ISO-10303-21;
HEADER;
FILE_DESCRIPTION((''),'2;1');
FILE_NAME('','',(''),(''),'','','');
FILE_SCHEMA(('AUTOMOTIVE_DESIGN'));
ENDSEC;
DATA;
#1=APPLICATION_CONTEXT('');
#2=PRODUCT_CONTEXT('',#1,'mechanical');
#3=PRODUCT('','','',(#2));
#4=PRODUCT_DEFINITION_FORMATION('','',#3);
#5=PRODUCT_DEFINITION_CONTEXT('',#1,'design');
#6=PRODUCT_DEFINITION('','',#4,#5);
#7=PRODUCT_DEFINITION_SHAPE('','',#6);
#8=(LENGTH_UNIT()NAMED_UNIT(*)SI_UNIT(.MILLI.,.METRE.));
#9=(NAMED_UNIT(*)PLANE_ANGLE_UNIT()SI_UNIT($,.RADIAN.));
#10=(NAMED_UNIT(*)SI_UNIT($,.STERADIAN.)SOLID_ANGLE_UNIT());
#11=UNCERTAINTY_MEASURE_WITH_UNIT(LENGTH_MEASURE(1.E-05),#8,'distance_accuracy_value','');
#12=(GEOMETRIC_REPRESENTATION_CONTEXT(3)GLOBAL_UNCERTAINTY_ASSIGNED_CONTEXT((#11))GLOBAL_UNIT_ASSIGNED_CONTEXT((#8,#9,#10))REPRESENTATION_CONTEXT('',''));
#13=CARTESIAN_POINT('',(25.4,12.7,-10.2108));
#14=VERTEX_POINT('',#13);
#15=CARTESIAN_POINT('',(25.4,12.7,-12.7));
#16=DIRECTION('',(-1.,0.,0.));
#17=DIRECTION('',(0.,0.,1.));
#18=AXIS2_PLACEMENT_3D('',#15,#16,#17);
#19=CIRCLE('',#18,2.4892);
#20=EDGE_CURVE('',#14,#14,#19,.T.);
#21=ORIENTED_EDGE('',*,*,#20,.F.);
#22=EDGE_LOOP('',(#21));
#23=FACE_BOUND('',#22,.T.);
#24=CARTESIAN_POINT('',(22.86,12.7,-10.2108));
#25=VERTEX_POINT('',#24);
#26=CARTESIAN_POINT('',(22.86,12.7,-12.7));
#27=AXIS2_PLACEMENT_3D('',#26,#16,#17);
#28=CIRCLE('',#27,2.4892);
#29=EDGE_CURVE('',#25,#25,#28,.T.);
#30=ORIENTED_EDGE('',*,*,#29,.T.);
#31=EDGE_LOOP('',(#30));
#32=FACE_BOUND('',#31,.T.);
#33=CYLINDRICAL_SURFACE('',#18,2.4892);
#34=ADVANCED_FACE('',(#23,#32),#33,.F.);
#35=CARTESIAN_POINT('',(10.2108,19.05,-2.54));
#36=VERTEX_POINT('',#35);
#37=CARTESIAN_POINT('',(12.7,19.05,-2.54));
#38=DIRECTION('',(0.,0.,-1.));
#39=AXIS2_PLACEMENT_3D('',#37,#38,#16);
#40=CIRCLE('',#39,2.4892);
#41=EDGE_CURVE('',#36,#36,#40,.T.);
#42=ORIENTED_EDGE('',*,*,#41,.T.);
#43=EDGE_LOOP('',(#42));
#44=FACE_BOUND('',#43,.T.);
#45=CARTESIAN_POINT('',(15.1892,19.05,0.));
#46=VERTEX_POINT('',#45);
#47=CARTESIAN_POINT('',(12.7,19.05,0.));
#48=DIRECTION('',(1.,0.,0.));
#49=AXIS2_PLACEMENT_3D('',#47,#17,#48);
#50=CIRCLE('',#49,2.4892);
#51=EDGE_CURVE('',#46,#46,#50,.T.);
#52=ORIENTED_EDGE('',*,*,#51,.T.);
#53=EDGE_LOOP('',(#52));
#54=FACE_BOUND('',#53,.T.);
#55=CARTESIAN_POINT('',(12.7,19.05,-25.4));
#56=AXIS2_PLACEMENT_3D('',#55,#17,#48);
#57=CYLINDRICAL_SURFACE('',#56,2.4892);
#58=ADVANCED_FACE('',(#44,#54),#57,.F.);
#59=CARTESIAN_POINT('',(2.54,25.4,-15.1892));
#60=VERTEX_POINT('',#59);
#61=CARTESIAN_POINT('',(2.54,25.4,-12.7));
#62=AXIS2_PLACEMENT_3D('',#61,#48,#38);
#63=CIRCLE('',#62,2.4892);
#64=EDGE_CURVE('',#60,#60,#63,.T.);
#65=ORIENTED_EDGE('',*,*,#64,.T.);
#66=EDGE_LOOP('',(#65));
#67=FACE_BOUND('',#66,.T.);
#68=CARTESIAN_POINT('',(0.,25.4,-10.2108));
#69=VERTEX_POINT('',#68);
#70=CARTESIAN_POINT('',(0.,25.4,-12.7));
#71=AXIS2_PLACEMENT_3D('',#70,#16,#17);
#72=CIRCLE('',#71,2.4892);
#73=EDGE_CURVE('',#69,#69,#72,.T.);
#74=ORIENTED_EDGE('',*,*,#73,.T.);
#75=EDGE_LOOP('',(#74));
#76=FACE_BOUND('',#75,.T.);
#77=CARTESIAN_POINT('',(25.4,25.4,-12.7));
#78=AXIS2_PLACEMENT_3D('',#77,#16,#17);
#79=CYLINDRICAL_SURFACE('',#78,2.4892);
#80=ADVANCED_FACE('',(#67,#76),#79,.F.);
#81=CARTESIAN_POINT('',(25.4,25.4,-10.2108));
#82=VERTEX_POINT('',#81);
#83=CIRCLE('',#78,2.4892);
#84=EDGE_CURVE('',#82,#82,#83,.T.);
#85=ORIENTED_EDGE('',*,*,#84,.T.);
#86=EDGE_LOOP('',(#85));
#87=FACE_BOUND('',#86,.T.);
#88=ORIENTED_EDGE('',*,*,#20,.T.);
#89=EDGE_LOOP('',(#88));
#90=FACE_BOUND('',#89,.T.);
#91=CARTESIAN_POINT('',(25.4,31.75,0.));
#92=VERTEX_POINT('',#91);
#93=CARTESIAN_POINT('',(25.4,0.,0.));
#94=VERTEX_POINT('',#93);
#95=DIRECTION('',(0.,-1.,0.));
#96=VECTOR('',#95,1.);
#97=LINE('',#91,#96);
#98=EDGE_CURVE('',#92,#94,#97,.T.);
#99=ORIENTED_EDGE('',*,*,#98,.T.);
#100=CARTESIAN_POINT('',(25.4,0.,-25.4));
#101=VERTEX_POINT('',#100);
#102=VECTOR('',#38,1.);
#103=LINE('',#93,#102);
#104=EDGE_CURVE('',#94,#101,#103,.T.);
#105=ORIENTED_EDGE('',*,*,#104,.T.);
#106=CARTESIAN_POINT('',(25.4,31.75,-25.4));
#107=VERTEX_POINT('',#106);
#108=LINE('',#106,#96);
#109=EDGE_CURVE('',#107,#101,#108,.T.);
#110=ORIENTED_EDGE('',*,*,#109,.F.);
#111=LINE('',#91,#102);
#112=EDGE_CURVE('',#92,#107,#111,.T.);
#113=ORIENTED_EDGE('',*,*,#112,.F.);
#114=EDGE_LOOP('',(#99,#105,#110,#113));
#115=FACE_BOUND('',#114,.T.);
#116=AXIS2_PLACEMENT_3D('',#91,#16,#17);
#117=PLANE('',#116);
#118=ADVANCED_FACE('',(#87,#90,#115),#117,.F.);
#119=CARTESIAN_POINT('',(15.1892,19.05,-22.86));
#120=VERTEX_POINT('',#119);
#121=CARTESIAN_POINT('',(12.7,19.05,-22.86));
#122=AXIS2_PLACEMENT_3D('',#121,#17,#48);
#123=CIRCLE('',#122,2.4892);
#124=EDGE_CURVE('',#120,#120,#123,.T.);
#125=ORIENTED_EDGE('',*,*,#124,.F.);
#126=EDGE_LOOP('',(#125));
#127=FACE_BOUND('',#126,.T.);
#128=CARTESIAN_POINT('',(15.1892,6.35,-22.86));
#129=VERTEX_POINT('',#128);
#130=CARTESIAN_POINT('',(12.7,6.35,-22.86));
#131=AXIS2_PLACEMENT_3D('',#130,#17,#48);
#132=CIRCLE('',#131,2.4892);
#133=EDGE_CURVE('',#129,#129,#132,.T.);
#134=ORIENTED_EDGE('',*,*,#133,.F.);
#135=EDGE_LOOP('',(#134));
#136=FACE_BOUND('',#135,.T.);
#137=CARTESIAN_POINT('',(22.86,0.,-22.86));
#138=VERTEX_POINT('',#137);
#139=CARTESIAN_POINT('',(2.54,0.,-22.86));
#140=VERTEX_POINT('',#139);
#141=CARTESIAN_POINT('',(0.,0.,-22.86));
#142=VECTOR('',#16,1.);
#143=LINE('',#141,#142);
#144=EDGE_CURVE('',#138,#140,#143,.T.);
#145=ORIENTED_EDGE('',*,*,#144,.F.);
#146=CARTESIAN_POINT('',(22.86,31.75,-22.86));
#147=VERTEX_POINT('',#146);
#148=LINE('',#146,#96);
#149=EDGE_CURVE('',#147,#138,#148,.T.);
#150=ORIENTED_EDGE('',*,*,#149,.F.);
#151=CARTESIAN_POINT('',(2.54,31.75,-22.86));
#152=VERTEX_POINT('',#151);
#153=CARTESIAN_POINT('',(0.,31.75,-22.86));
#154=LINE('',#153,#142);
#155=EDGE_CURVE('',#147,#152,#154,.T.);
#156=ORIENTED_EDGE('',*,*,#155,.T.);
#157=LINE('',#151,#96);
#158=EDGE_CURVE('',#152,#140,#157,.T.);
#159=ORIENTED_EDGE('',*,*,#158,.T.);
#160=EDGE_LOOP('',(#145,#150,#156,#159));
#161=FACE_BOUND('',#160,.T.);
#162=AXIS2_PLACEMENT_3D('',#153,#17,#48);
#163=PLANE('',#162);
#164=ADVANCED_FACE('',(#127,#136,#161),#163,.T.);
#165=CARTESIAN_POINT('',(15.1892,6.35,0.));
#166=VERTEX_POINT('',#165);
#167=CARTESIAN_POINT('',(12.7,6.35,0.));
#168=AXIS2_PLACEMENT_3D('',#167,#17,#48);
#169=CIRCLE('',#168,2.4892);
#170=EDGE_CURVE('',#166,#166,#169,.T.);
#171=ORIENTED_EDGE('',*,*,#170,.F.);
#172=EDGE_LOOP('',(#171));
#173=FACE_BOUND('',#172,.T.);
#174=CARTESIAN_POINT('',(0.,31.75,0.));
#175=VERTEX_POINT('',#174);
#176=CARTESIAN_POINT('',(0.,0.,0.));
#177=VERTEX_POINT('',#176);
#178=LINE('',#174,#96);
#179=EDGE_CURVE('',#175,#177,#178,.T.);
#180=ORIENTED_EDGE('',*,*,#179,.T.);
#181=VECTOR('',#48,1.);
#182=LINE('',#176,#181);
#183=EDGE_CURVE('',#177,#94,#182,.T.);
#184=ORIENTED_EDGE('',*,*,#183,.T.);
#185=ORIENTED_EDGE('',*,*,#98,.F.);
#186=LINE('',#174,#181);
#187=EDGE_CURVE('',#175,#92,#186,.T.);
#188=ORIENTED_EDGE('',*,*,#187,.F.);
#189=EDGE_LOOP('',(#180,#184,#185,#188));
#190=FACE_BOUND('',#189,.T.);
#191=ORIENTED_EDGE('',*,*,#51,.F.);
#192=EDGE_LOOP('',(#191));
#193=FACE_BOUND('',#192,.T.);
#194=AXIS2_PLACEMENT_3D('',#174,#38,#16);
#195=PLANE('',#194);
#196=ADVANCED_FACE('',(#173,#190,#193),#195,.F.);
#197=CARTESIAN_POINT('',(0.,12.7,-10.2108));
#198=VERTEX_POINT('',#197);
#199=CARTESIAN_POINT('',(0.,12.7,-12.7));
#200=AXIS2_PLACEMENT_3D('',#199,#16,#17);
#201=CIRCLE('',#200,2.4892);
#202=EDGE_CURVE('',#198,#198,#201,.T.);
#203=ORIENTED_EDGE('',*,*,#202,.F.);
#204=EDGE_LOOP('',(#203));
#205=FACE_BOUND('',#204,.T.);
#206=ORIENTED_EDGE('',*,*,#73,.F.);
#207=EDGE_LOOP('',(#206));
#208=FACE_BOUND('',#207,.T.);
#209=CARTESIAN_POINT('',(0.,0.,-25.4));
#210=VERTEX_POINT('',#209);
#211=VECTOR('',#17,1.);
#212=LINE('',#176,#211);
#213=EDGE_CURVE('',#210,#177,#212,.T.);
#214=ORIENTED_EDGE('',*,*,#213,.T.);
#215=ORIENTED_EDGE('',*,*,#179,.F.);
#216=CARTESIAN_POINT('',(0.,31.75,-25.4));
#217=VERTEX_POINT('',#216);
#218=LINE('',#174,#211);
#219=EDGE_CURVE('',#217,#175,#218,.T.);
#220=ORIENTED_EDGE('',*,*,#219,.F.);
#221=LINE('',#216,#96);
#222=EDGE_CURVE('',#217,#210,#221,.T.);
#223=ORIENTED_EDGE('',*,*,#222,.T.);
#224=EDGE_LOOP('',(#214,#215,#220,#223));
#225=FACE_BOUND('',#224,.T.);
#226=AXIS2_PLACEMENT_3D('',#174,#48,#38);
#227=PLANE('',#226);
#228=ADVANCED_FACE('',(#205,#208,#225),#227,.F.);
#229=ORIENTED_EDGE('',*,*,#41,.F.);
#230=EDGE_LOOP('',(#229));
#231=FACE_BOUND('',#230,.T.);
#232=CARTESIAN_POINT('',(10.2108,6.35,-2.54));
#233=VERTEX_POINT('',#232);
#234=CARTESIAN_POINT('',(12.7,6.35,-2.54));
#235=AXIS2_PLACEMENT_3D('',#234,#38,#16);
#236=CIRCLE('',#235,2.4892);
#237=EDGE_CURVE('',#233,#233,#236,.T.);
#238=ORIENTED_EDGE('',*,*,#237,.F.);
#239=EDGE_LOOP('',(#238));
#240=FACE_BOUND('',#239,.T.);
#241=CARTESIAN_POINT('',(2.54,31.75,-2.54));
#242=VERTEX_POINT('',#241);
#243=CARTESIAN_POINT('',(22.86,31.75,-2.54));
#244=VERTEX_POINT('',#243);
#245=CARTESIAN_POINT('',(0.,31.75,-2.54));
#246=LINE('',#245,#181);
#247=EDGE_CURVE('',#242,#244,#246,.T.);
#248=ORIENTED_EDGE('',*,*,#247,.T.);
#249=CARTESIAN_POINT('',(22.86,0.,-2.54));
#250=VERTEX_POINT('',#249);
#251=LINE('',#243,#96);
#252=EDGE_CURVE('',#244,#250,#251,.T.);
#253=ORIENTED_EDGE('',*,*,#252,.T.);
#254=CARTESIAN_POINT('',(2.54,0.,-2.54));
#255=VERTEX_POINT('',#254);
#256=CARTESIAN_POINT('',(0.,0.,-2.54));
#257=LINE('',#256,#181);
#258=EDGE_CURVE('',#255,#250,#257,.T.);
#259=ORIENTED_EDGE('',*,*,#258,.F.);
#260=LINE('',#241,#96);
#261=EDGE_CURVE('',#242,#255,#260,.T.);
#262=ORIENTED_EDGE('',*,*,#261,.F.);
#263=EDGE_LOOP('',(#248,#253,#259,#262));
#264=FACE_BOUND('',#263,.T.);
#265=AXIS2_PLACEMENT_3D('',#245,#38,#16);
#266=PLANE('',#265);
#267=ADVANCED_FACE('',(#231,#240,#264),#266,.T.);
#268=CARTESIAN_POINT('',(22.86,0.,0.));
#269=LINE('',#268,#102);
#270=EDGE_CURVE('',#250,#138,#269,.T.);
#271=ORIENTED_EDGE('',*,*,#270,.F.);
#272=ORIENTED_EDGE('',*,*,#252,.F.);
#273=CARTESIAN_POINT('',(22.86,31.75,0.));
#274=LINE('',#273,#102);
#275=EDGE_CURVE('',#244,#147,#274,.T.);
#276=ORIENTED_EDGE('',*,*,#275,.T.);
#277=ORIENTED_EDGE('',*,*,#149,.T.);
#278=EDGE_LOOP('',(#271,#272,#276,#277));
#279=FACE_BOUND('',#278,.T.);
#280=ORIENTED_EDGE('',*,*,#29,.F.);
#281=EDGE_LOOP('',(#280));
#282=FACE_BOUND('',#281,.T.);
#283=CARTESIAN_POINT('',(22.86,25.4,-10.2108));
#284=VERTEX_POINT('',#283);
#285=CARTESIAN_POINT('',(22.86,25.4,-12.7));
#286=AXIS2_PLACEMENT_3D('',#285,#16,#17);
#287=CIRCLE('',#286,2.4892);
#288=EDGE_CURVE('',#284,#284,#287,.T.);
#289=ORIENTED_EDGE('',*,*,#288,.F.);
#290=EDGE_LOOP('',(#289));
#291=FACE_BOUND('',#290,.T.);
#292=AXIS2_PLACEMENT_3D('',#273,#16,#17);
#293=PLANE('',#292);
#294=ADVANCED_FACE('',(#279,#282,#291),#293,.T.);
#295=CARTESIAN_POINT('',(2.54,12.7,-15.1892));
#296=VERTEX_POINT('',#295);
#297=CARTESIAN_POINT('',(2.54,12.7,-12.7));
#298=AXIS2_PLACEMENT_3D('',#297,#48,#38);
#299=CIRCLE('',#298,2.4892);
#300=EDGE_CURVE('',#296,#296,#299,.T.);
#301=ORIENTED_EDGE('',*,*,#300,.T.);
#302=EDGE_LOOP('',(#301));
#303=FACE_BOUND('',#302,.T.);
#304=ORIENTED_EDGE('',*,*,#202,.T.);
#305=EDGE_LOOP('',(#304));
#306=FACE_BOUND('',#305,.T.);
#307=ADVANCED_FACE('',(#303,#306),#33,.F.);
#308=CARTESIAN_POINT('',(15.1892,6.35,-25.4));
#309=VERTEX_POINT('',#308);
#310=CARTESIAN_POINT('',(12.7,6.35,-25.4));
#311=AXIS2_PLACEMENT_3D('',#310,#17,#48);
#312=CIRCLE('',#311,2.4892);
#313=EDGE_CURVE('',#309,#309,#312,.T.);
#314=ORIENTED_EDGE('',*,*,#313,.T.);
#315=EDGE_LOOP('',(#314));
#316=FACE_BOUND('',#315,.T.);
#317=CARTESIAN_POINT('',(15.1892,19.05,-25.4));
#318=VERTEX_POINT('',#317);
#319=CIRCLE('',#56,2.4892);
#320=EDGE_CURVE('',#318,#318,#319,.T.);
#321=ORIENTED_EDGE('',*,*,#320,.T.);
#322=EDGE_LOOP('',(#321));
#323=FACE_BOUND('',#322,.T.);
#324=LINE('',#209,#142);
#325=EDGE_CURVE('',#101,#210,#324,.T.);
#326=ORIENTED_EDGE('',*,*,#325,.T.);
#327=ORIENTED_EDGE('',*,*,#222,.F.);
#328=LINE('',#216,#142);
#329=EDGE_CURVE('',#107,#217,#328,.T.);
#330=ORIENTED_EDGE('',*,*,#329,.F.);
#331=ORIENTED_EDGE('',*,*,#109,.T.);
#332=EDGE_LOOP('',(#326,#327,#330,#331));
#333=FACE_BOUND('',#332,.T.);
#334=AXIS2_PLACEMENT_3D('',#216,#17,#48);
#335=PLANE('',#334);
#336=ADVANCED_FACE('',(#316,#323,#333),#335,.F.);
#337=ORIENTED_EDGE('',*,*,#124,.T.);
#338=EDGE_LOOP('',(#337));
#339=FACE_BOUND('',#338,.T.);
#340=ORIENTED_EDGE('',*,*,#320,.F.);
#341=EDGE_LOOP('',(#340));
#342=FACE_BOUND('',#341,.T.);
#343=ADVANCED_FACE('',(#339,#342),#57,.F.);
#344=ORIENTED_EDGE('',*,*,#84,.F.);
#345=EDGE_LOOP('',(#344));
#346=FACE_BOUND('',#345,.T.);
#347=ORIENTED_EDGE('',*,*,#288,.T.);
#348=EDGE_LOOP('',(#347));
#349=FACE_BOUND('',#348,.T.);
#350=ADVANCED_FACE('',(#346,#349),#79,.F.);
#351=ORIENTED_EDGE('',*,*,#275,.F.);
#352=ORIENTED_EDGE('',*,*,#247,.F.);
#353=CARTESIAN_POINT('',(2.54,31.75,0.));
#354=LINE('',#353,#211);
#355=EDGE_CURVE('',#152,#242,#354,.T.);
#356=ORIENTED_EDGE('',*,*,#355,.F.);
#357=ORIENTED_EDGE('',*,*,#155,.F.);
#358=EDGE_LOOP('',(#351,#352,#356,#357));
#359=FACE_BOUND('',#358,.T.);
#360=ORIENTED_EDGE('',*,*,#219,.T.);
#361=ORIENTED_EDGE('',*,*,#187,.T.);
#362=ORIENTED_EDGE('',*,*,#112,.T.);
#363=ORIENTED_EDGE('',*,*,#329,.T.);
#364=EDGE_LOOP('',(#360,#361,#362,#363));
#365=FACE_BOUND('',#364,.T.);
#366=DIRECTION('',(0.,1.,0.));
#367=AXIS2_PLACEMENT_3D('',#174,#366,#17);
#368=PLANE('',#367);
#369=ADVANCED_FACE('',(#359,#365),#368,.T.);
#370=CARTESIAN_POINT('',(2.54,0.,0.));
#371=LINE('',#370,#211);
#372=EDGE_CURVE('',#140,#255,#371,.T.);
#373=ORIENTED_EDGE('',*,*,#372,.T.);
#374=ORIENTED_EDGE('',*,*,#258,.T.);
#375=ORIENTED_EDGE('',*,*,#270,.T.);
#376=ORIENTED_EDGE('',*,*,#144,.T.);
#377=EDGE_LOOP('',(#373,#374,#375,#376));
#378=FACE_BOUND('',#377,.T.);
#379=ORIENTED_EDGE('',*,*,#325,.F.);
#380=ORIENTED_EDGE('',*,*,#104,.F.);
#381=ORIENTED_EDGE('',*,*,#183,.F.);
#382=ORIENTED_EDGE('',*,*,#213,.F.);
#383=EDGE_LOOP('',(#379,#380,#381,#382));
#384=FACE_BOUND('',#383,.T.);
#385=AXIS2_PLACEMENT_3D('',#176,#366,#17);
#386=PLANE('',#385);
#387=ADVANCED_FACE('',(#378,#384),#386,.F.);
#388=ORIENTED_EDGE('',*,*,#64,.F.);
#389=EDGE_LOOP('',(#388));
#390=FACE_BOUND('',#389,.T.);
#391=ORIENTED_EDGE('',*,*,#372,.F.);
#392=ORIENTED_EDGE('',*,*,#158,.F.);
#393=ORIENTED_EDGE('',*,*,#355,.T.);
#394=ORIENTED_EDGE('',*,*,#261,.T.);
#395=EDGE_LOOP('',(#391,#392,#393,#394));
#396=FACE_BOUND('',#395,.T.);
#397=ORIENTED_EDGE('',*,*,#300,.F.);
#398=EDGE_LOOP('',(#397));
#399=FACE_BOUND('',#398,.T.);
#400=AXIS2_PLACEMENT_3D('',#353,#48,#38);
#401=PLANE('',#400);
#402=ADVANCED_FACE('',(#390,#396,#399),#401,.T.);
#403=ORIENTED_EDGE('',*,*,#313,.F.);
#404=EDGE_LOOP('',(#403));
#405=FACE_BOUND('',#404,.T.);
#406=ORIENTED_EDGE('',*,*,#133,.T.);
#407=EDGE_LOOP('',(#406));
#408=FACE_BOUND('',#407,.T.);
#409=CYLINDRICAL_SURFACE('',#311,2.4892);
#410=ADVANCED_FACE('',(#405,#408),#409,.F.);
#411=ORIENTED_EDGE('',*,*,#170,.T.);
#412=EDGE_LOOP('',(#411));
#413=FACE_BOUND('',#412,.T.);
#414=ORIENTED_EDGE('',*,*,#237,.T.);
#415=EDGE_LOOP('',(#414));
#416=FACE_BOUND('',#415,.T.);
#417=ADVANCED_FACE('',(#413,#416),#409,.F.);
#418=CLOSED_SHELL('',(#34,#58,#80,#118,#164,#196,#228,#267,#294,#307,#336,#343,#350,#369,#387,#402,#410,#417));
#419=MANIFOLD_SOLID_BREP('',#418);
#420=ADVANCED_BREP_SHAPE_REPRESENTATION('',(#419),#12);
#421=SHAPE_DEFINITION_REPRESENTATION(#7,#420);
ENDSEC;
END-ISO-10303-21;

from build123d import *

# Parameters (mm, degrees)
SKETCH1_W           = 25.4
SKETCH1_H           = 25.4
SKETCH1_W_2         = 20.32
SKETCH1_H_2         = 20.32
EXTRUDE_THIN1_DEPTH = 31.75
SKETCH2_R           = 2.4892
CUT_EXTRUDE1_DEPTH  = 26.4
SKETCH3_R           = 2.4892
CUT_EXTRUDE2_DEPTH  = 26.4


with BuildPart() as part:
    # Sketch1 → Extrude-Thin1 (new body)
    with BuildSketch(Plane(origin=(0, 0, 0), x_dir=(1, 0, 0), z_dir=(0, 1, 0))):
        with Locations((12.7, 12.7)):
            Rectangle(SKETCH1_W, SKETCH1_H)
        with Locations((12.7, 12.7)):
            Rectangle(SKETCH1_W_2, SKETCH1_H_2, mode=Mode.SUBTRACT)
    extrude(amount=EXTRUDE_THIN1_DEPTH)

    # Sketch2 → Cut-Extrude1 (cut, through all)
    with BuildSketch(Plane.XY):
        with Locations((12.7, 19.05)):
            Circle(SKETCH2_R)
        with Locations((12.7, 6.35)):
            Circle(SKETCH2_R)
    extrude(amount=-CUT_EXTRUDE1_DEPTH, mode=Mode.SUBTRACT)

    # Sketch3 → Cut-Extrude2 (cut, through all)
    with BuildSketch(Plane.ZY):
        with Locations((-12.7, 25.4)):
            Circle(SKETCH3_R)
        with Locations((-12.7, 12.7)):
            Circle(SKETCH3_R)
    extrude(amount=-CUT_EXTRUDE2_DEPTH, mode=Mode.SUBTRACT)


solid = part.part
